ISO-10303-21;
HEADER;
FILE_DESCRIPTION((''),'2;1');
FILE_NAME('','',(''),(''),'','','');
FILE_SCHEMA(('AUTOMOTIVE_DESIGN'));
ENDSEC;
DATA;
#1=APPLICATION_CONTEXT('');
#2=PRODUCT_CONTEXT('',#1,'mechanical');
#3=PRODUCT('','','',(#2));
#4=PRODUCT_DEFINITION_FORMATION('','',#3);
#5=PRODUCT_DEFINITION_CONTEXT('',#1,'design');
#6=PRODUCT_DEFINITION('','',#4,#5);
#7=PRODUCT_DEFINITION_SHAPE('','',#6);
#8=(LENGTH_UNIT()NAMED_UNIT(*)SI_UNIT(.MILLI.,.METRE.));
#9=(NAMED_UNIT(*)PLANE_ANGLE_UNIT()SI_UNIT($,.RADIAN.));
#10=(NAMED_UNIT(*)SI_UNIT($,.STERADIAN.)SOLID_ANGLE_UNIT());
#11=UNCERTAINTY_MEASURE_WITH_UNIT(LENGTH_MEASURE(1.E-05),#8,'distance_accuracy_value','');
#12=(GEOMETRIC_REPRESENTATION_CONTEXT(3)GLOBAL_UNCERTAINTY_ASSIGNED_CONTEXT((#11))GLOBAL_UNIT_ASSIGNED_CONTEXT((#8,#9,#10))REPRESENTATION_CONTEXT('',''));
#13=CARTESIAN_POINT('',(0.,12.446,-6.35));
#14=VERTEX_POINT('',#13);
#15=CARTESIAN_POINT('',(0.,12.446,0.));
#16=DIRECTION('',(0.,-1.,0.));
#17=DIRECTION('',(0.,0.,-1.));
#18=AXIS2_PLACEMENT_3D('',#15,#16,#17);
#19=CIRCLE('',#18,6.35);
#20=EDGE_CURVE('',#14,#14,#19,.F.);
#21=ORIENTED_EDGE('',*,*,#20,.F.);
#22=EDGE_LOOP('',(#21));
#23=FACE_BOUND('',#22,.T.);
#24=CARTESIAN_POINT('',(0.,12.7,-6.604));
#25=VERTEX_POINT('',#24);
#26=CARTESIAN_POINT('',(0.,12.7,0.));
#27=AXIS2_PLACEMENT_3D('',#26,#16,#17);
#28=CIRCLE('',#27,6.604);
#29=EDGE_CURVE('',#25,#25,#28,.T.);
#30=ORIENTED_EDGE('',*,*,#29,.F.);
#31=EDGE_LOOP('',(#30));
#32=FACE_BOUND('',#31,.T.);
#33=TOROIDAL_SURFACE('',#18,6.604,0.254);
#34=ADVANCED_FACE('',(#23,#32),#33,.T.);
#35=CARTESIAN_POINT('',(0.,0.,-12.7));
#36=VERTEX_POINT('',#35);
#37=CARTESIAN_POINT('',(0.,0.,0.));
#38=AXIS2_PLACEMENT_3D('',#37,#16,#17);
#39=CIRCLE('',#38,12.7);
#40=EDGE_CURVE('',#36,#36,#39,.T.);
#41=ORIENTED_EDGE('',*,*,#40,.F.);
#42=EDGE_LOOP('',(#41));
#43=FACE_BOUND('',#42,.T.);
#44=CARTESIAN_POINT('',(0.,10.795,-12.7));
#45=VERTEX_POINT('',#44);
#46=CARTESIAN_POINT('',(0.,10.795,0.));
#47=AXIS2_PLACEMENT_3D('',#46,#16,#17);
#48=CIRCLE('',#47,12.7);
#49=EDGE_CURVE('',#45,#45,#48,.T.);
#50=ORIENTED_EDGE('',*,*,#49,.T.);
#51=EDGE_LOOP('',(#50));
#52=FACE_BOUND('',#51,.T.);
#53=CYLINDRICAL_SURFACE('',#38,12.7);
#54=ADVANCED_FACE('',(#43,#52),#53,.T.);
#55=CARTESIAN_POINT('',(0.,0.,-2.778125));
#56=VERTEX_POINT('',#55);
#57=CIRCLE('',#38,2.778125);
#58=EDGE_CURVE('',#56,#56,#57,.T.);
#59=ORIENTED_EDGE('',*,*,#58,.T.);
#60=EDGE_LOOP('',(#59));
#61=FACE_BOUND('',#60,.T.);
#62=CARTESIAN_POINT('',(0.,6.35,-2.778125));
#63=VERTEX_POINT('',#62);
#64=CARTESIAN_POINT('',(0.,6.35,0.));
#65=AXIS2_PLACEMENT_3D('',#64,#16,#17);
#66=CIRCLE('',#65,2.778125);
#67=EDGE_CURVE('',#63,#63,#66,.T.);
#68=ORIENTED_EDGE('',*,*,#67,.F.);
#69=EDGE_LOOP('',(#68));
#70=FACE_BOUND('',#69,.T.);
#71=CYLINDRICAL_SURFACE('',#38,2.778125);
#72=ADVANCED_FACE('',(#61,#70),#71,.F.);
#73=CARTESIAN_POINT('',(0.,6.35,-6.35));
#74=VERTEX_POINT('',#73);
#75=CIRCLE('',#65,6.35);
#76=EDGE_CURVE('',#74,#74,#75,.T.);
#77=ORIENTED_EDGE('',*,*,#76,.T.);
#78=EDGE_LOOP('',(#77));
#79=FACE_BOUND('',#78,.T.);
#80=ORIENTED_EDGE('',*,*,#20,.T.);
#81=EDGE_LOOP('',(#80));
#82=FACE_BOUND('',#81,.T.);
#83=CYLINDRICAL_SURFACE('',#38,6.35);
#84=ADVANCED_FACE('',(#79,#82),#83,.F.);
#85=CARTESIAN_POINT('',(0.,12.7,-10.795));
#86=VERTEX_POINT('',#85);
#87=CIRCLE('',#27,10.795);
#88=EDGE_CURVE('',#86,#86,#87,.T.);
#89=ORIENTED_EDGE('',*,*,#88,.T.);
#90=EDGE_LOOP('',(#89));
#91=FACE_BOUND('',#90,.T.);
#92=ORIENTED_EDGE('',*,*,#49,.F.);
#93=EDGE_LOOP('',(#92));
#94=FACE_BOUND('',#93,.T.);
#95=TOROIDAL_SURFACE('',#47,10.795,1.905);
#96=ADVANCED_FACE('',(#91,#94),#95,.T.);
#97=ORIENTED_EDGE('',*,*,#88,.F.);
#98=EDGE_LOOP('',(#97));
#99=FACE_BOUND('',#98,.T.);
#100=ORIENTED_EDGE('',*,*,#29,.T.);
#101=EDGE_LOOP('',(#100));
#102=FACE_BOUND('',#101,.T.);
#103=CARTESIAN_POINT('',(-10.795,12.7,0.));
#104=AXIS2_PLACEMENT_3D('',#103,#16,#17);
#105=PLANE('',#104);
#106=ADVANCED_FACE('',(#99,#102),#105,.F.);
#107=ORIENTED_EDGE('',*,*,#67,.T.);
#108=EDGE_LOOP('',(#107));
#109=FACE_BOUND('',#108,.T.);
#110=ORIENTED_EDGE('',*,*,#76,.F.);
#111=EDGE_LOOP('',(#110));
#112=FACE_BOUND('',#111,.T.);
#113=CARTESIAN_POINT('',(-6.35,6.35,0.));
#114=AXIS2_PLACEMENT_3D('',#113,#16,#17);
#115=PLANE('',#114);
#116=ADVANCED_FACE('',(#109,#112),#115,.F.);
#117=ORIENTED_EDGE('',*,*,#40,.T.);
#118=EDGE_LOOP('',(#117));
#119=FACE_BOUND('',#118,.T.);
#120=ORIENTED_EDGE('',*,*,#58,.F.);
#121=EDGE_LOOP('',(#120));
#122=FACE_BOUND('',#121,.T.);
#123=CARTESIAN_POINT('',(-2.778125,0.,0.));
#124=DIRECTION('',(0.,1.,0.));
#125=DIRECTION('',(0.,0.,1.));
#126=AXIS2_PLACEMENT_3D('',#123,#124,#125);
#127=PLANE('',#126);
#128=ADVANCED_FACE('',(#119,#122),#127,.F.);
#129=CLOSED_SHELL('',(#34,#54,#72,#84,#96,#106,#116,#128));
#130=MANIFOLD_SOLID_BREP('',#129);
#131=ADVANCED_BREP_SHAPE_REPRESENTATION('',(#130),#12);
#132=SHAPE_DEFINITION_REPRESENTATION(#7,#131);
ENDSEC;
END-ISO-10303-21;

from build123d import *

# Parameters (mm, degrees)
FILLET1_R = 0.254


with BuildPart() as part:
    # Sketch2 → Revolve1 (revolve)
    with BuildSketch(Plane.XY):
        with BuildLine():
            Line((-12.7, 0), (-12.7, 10.795))
            ThreePointArc((-12.7, 10.795), (-12.142038418, 12.142038418), (-10.795, 12.7))
            Line((-10.795, 12.7), (-6.35, 12.7))
            Line((-6.35, 12.7), (-6.35, 6.35))
            Line((-6.35, 6.35), (-2.778125, 6.35))
            Line((-2.778125, 6.35), (-2.778125, 0))
            Line((-2.778125, 0), (-12.7, 0))
        make_face()
    revolve(axis=Axis((0, 0, 0), (0, 1, 0)))

    # Fillet1
    fillet1_edges = [part.edges().sort_by_distance(p)[0] for p in [
        (6.35, 12.7, 0),
    ]]
    fillet(fillet1_edges, radius=FILLET1_R)


solid = part.part
